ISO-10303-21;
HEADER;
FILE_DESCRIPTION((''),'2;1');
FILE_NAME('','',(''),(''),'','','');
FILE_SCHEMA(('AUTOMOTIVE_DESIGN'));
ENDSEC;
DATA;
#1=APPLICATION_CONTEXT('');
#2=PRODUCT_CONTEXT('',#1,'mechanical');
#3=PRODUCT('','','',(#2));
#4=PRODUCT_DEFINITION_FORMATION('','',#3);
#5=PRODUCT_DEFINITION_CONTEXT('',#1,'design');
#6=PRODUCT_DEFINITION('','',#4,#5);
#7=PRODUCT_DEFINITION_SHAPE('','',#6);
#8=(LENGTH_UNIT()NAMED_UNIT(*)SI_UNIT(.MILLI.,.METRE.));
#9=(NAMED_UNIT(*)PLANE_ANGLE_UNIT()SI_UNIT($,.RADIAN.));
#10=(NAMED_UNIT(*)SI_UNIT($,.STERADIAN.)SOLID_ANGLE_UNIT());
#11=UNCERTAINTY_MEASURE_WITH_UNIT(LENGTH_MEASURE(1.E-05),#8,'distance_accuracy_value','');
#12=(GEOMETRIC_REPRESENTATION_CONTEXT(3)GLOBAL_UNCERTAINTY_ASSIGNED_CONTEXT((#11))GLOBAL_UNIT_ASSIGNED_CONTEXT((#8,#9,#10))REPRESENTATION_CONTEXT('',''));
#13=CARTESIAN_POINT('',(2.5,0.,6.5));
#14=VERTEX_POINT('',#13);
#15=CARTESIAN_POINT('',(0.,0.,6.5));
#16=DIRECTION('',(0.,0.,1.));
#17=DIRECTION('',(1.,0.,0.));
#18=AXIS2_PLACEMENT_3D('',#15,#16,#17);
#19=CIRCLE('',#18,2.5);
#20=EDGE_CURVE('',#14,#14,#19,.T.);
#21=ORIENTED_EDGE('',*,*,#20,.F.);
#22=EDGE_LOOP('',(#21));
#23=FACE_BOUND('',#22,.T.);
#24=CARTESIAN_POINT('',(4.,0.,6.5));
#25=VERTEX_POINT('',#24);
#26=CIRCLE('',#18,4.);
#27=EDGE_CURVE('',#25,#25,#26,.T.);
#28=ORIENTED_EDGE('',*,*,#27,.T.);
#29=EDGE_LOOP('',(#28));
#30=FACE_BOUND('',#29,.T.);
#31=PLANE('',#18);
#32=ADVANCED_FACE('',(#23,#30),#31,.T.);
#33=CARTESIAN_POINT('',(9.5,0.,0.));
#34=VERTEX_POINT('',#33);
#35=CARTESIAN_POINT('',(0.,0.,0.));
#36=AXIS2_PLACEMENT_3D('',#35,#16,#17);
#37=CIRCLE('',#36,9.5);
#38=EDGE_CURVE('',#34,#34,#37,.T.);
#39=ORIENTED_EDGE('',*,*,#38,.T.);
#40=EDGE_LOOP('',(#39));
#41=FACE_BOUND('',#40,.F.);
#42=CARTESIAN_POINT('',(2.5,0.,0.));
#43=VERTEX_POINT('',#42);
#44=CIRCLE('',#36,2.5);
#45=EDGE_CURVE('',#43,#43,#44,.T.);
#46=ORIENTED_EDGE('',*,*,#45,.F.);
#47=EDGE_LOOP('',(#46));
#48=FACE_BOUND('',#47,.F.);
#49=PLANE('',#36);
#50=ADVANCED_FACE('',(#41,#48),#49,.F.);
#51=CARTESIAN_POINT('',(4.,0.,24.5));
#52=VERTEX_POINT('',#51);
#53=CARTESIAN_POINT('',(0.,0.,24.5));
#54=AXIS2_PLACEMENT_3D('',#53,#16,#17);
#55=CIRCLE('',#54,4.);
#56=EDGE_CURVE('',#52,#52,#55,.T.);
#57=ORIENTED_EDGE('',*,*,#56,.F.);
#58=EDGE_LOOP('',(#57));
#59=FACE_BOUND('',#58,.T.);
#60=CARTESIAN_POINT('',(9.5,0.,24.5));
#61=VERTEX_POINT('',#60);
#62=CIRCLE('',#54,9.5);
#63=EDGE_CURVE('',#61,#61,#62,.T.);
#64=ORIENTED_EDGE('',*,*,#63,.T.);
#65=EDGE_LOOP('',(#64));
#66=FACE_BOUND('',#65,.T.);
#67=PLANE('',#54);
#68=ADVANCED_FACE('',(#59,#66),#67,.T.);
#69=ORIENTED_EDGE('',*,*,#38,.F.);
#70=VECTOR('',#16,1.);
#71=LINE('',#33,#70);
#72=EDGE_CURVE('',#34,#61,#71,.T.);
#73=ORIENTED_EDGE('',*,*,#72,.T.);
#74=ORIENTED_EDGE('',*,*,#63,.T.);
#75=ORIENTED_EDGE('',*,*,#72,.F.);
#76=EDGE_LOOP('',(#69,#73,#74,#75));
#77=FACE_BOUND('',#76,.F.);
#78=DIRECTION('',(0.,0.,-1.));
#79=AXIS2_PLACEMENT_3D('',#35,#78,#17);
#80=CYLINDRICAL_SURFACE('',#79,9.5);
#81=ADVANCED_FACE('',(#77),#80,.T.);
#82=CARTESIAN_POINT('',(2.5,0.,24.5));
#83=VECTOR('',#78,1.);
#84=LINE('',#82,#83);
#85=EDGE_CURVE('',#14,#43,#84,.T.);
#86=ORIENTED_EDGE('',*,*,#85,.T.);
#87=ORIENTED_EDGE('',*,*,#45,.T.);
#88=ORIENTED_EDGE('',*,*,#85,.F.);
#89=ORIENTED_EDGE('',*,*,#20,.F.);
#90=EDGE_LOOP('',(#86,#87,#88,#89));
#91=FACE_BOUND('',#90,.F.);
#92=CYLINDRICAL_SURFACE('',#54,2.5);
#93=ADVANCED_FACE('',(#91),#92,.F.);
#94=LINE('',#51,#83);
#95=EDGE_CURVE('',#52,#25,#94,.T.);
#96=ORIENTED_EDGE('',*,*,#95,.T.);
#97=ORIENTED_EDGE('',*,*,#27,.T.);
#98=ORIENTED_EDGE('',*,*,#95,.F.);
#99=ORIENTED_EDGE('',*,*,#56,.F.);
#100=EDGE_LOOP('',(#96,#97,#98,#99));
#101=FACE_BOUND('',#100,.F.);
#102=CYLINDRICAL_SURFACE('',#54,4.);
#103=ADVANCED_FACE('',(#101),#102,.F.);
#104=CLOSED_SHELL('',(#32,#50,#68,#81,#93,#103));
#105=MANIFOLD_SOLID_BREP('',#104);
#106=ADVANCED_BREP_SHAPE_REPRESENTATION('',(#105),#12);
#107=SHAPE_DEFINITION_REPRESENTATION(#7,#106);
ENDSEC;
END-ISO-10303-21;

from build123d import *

# Parameters (mm, degrees)
SKETCH_R        = 9.5
PAD_DEPTH       = 24.5
SKETCH001_R     = 2.5
POCKET_DEPTH    = 24.501
SKETCH002_R     = 4
POCKET001_DEPTH = 18


with BuildPart() as part:
    # Sketch → Pad (new body)
    with BuildSketch(Plane.XY):
        Circle(SKETCH_R)
    extrude(amount=PAD_DEPTH)

    # Sketch001 → Pocket (cut, through all)
    with BuildSketch(Plane.XY.offset(24.5)):
        Circle(SKETCH001_R)
    extrude(amount=-POCKET_DEPTH, mode=Mode.SUBTRACT)

    # Sketch002 → Pocket001 (cut)
    with BuildSketch(Plane.XY.offset(24.5)):
        Circle(SKETCH002_R)
    extrude(amount=-POCKET001_DEPTH, mode=Mode.SUBTRACT)


solid = part.part
